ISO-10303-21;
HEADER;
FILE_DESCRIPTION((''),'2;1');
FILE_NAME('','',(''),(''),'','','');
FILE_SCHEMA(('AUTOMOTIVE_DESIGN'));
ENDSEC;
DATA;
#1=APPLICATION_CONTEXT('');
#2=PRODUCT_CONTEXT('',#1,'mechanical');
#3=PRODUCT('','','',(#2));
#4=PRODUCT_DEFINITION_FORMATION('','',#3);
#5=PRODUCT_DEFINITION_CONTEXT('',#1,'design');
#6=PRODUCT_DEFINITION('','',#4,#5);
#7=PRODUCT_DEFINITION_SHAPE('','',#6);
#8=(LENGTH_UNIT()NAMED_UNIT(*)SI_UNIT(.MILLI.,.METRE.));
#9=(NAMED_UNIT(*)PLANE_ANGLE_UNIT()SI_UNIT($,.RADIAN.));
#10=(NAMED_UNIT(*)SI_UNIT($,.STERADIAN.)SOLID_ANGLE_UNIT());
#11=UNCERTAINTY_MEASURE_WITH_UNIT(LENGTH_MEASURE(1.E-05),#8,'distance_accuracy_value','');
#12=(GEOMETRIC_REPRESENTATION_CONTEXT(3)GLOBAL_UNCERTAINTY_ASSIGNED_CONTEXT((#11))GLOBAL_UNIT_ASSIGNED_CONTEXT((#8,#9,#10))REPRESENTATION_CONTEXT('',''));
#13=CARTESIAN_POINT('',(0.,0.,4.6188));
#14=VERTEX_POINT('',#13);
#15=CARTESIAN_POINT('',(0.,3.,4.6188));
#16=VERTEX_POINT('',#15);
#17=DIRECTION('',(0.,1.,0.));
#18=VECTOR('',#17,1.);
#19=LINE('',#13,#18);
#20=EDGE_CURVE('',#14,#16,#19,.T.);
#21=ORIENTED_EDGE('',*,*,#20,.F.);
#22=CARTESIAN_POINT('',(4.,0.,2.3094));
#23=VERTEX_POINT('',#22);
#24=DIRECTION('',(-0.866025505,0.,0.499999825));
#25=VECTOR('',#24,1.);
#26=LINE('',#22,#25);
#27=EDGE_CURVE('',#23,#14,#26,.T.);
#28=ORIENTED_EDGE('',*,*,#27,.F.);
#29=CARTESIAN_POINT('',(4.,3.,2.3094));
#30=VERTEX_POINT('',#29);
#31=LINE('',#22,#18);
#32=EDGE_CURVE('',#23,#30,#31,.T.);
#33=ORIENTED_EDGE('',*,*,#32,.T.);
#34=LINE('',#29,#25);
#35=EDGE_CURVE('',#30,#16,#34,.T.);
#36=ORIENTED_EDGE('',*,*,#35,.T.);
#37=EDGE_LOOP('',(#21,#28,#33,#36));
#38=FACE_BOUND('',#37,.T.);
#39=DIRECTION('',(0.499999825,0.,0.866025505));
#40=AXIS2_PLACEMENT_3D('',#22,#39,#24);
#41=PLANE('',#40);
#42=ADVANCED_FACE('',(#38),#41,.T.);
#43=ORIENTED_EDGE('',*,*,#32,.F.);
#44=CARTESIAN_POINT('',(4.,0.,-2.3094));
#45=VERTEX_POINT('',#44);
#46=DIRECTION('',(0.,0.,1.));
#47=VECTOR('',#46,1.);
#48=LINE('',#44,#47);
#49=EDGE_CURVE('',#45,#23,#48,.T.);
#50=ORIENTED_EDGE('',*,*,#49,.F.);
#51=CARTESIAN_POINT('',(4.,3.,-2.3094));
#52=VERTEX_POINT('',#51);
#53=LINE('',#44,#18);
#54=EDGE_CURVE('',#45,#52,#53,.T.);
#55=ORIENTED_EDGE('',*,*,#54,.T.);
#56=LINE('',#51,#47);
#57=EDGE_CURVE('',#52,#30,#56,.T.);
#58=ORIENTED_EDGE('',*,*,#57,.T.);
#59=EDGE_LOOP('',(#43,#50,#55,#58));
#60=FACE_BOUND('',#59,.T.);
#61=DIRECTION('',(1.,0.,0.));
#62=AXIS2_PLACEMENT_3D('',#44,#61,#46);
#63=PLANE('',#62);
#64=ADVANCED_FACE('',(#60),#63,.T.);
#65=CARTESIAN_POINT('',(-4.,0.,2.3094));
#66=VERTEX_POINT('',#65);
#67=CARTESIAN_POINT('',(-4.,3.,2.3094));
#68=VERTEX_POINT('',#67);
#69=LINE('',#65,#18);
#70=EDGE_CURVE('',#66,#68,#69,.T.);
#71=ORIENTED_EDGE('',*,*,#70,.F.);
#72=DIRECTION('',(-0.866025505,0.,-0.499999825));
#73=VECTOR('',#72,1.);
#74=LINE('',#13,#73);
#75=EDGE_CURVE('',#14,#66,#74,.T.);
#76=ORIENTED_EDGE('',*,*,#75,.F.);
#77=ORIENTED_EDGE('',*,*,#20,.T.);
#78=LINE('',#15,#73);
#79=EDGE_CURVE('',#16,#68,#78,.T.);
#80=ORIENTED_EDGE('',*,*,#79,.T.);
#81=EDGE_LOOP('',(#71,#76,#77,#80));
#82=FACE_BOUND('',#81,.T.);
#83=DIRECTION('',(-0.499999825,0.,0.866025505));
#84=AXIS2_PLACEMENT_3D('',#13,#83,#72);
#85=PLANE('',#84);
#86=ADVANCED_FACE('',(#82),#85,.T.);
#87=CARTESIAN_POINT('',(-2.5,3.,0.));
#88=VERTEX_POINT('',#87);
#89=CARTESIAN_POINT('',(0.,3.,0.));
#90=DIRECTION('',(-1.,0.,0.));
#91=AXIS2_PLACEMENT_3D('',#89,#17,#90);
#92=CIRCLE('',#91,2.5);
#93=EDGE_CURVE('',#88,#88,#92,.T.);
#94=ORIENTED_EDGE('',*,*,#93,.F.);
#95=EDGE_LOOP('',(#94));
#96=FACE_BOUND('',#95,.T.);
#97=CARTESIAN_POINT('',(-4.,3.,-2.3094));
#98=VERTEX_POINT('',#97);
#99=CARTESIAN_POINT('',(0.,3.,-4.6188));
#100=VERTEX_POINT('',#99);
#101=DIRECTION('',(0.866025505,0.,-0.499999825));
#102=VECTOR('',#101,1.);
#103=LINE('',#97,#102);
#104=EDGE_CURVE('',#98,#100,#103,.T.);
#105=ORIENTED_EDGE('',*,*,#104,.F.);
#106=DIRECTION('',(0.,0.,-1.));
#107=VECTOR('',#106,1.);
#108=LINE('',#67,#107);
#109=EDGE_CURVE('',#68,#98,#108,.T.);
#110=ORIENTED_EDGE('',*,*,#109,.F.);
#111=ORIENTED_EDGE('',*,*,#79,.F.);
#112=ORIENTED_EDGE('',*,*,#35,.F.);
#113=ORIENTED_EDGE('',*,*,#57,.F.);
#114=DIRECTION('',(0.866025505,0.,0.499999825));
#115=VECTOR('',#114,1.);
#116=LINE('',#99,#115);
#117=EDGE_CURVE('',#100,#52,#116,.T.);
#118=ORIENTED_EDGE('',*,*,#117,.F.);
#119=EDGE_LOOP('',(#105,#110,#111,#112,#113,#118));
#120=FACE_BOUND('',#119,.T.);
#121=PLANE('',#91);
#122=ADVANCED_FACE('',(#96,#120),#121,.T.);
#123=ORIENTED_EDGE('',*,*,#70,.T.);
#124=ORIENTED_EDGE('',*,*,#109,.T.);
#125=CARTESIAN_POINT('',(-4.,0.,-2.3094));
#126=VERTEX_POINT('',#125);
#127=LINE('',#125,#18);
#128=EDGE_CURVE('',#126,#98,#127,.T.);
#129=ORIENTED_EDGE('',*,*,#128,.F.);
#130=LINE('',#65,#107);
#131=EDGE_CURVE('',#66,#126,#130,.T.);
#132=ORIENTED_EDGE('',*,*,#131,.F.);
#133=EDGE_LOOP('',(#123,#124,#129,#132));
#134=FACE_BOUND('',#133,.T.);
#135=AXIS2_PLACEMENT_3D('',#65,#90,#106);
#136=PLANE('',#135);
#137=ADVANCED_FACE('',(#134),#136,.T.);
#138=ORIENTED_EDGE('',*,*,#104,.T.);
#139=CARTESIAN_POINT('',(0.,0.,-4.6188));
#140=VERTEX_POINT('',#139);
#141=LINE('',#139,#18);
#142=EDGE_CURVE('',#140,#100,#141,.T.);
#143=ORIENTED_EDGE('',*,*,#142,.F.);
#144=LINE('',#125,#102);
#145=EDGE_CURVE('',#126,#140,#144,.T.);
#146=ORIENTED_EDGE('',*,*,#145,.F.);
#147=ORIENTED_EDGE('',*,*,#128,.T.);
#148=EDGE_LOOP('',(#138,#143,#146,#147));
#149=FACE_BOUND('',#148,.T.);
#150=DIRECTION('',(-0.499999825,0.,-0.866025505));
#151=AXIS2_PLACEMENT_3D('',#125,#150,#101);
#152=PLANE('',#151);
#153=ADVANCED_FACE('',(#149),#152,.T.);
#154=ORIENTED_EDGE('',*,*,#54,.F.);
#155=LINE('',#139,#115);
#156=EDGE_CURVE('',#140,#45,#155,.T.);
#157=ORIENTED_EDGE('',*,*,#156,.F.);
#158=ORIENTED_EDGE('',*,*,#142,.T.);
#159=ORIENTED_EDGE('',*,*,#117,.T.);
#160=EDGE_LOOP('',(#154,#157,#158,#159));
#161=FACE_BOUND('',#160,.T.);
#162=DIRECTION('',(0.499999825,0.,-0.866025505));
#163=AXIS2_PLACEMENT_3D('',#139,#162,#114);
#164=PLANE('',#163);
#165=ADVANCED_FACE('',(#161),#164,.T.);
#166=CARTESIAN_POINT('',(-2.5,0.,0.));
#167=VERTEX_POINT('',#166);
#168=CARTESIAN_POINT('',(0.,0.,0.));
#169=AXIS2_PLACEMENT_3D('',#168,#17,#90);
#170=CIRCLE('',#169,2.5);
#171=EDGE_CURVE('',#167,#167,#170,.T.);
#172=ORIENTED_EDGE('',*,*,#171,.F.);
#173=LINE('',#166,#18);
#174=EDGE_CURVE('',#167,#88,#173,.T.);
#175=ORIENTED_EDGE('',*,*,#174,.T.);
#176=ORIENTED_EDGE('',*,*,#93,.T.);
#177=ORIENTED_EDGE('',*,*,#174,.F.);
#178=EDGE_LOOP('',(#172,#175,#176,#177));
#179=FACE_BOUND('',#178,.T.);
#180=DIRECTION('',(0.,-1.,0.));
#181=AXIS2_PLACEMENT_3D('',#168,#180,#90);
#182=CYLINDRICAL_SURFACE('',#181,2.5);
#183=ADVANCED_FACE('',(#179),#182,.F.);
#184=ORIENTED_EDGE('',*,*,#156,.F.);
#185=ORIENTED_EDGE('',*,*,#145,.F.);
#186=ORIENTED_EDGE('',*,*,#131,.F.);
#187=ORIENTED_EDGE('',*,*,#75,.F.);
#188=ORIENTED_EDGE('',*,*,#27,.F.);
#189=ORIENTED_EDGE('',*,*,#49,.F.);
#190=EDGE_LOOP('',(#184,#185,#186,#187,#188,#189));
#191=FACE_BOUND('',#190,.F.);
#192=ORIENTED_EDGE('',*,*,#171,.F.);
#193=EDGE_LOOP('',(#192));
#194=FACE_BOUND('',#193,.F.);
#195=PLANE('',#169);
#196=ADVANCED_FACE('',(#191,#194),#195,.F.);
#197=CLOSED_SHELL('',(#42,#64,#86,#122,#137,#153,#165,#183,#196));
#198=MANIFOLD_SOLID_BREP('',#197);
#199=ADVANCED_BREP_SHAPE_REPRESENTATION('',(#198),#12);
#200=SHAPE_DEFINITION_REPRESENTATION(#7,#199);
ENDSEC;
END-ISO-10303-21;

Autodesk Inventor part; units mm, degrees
ref_plane "YZ Plane" through (0, 0, 0) normal (1, 0, 0) x (0, 1, 0)
ref_plane "XZ Plane" through (0, 0, 0) normal (0, 1, 0) x (-1, 0, 0)
ref_plane "XY Plane" through (0, 0, 0) normal (0, 0, 1) x (1, 0, 0)
sketch "Sketch1" plane through (0, 0, 0) normal (0, 1, 0) x (-1, 0, 0)
  line L0 (0, -4.6188) -> (-4, -2.3094)
  line L1 (-4, -2.3094) -> (-4, 2.3094)
  line L2 (-4, 2.3094) -> (0, 4.6188)
  line L3 (0, 4.6188) -> (4, 2.3094)
  line L4 (4, 2.3094) -> (4, -2.3094)
  line L5 (4, -2.3094) -> (0, -4.6188)
  circle A0 centre (0, 0) radius 2.5
  dimension "d0" = 8
  dimension "d1" = 5
extrude "Extrusion1" add sketch "Sketch1" along normal blind 3
thread "Thread1" size "M5x0.8" class "6H" standard "ANSI Metric M Profile" full length
properties part number "nut rod"
